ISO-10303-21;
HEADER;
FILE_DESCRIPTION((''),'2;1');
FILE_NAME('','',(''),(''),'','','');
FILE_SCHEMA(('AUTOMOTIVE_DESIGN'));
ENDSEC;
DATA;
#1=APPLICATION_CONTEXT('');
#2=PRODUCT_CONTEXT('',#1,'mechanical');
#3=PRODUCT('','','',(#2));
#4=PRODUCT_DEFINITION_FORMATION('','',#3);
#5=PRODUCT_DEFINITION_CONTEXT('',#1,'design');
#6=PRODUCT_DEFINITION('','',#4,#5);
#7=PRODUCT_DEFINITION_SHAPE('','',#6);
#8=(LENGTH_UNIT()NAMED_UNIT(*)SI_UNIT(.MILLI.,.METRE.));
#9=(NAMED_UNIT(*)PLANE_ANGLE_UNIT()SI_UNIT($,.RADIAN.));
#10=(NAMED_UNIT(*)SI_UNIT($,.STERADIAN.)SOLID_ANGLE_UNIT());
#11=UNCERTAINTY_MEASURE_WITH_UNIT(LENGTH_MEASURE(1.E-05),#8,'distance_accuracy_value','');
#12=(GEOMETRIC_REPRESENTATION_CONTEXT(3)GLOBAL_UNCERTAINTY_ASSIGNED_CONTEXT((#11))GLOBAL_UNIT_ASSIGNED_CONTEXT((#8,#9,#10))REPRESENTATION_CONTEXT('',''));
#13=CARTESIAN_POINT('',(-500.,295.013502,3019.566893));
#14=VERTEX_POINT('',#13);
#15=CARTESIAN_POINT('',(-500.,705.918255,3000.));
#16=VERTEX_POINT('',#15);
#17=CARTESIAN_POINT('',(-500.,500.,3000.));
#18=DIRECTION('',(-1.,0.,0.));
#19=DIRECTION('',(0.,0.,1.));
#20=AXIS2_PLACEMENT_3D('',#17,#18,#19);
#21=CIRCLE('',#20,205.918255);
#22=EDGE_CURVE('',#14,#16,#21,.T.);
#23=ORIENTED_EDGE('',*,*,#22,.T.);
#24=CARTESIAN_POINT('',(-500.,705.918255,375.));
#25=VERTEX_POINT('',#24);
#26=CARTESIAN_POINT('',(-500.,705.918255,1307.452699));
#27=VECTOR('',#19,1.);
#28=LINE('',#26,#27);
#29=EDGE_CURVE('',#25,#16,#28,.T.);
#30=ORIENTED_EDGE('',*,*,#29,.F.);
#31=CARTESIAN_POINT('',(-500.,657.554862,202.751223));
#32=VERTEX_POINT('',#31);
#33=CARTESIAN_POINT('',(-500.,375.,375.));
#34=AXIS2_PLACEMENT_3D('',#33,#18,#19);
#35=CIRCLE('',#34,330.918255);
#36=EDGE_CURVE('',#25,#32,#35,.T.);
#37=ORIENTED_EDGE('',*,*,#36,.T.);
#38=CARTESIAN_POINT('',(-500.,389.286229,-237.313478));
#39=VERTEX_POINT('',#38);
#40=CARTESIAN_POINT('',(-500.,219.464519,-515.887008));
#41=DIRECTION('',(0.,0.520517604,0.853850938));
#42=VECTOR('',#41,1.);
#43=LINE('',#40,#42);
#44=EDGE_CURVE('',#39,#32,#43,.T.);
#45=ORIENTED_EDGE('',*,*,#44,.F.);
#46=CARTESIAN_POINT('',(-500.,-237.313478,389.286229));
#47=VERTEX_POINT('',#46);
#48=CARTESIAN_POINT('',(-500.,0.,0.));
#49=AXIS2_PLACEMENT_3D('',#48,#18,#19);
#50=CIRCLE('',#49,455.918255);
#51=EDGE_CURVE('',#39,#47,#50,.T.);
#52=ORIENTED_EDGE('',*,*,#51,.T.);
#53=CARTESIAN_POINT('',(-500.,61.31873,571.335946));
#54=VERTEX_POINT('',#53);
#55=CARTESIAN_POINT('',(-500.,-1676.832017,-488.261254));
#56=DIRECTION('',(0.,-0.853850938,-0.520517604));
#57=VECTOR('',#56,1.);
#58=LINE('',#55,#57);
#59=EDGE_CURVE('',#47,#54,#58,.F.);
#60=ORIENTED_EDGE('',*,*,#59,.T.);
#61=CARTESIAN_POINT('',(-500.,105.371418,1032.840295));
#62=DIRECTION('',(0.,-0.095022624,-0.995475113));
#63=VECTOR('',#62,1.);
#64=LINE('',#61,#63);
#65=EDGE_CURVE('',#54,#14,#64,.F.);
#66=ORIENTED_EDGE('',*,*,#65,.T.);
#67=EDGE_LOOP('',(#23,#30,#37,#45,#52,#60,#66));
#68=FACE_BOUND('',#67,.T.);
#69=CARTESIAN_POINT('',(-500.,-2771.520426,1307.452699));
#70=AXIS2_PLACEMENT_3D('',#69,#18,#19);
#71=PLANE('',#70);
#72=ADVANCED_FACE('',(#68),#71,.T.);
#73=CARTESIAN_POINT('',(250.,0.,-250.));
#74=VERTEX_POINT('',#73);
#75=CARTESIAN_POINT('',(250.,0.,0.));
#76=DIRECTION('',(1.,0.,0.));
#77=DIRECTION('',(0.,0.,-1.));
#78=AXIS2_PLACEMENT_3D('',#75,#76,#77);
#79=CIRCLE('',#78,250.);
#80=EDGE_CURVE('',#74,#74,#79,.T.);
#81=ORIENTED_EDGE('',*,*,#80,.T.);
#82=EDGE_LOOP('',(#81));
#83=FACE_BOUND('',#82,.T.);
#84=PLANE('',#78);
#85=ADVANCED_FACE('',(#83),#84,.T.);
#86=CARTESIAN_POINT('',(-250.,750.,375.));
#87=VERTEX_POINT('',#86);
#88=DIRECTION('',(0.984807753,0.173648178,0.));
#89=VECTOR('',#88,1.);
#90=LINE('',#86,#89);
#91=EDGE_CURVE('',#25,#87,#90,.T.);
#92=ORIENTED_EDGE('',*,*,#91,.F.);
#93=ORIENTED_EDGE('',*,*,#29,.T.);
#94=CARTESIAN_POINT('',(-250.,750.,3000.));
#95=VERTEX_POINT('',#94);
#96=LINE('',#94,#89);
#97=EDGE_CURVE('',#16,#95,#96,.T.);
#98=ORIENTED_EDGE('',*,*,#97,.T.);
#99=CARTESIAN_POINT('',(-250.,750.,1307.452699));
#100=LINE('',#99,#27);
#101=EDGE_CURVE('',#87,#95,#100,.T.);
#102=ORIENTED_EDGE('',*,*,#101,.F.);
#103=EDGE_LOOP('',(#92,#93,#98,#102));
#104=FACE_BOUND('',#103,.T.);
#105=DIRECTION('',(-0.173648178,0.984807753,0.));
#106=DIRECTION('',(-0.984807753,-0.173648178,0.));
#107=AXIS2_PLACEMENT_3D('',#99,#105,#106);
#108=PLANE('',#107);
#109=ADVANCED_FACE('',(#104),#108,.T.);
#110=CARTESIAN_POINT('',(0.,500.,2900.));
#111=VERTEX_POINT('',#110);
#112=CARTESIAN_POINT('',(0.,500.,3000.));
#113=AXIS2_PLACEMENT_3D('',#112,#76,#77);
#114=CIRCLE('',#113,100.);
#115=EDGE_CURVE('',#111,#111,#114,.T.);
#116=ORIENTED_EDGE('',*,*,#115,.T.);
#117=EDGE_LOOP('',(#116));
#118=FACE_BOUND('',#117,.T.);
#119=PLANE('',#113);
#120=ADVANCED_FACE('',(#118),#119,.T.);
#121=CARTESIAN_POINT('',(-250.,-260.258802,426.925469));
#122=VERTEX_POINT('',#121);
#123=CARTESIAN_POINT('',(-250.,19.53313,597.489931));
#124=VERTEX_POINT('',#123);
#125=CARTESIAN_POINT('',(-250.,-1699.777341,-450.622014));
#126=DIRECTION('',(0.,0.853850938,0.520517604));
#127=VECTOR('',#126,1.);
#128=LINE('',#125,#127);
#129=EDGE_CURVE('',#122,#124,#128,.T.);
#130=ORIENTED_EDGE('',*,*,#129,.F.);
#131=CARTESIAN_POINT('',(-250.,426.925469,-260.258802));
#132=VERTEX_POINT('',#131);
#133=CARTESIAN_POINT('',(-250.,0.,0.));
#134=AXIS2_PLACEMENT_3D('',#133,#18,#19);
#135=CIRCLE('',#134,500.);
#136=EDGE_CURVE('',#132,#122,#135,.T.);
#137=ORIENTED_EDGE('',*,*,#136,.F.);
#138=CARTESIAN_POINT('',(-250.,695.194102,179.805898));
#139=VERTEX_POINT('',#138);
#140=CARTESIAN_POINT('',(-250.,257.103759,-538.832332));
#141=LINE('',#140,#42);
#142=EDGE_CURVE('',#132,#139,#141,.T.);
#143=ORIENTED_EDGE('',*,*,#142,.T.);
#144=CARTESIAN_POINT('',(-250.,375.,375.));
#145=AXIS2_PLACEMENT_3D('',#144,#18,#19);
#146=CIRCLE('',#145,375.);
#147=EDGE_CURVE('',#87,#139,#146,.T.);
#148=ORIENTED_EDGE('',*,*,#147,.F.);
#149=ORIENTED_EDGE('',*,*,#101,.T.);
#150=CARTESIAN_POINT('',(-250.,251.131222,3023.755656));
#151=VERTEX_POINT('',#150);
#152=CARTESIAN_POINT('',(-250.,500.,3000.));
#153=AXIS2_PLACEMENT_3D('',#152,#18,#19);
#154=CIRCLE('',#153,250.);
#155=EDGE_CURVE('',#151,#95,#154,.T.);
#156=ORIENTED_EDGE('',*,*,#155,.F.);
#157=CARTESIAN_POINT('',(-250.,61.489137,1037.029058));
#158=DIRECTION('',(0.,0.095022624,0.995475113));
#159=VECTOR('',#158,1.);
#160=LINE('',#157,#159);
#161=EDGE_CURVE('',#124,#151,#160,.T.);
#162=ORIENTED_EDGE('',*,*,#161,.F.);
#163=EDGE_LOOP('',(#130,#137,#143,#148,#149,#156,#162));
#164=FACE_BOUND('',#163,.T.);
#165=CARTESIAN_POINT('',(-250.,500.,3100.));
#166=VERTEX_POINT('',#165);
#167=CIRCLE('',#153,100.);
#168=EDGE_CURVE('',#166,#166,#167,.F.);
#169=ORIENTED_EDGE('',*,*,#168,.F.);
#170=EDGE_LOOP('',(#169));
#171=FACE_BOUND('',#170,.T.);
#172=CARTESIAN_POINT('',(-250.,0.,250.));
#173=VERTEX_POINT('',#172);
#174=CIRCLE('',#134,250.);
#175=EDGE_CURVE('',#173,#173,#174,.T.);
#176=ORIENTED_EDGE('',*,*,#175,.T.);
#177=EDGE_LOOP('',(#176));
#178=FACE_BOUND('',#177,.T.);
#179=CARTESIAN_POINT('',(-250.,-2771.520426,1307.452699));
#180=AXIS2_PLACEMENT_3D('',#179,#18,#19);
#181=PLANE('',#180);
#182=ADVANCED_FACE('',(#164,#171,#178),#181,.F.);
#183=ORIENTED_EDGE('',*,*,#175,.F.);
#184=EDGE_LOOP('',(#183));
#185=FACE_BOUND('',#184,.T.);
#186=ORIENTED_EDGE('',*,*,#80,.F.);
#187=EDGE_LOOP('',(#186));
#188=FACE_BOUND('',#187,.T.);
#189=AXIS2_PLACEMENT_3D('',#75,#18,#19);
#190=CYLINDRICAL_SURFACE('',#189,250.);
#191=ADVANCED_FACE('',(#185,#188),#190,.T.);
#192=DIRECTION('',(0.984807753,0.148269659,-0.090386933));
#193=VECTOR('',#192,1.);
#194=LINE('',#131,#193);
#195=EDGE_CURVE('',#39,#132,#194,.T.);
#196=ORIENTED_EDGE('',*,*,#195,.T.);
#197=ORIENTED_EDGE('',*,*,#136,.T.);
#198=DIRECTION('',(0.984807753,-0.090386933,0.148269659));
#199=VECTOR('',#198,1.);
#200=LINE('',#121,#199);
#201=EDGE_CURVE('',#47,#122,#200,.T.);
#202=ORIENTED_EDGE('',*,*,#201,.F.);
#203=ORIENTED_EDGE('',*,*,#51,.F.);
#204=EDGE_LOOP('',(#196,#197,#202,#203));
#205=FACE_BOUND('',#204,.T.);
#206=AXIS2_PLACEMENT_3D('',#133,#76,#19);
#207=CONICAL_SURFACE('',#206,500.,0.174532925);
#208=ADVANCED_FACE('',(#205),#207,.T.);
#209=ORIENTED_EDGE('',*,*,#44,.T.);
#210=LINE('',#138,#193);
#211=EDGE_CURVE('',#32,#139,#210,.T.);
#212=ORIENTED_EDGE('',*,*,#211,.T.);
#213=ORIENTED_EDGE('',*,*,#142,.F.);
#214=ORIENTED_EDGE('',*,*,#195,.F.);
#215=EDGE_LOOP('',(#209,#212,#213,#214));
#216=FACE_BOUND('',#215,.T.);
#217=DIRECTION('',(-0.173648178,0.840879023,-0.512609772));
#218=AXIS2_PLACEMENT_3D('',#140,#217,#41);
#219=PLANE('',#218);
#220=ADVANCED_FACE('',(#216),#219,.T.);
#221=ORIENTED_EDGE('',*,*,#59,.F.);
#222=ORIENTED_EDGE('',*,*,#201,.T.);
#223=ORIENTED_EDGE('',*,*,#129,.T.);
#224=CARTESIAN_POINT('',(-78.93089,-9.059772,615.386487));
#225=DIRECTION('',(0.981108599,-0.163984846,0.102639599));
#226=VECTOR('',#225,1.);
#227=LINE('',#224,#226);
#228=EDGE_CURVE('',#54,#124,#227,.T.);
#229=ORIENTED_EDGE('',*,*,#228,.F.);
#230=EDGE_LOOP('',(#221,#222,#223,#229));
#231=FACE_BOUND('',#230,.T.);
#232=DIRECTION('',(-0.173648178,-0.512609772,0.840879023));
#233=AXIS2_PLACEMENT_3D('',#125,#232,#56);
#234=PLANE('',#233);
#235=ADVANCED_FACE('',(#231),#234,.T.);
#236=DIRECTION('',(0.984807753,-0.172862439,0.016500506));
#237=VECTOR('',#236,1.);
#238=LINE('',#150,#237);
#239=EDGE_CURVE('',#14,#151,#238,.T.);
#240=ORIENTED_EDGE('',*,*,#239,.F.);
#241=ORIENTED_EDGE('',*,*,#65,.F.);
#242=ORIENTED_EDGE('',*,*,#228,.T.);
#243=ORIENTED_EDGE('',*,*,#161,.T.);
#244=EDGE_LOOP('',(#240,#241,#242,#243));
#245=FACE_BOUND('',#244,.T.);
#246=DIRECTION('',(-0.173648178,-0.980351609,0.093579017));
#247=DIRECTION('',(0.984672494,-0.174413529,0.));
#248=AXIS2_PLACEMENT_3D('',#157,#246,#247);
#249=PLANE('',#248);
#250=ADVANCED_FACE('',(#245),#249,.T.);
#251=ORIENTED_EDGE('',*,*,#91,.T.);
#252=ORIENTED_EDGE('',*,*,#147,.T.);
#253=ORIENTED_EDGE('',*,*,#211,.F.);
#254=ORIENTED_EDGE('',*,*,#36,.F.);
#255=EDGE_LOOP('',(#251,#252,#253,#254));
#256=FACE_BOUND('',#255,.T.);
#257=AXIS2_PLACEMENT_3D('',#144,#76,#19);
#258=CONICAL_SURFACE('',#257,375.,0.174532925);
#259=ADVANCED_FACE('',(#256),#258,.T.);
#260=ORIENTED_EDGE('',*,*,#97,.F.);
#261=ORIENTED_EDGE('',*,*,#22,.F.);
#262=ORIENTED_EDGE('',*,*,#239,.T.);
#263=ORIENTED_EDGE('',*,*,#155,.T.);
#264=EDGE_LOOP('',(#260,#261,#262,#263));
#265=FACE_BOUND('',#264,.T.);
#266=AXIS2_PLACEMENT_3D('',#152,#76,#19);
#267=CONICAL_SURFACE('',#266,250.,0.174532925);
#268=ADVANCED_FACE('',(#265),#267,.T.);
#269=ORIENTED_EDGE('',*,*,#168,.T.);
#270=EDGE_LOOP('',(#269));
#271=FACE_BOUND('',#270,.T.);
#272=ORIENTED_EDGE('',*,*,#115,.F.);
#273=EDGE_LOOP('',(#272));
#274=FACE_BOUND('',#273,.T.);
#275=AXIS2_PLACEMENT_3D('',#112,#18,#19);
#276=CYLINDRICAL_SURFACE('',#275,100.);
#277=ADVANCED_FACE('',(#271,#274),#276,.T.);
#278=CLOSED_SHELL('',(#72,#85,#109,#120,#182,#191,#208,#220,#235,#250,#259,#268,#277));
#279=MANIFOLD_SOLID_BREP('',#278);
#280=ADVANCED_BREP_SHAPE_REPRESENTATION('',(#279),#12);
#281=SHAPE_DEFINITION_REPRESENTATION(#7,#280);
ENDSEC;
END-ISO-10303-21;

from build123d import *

# Parameters (mm, degrees)
SKETCH1_R           = 250
BOSS_EXTRUDE1_DEPTH = 250
BOSS_EXTRUDE4_DEPTH = 250
BOSS_EXTRUDE4_TAPER = 10
SKETCH5_R           = 100
BOSS_EXTRUDE6_DEPTH = 250


with BuildPart() as part:
    # Sketch1 → Boss-Extrude1 (new, symmetric)
    with BuildSketch(Plane(origin=(0, 0, 0), x_dir=(0, 0, -1), z_dir=(1, 0, 0))):
        Circle(SKETCH1_R)
    extrude(amount=BOSS_EXTRUDE1_DEPTH, both=True)

    # Sketch3 → Boss-Extrude4 (add)
    with BuildSketch(Plane.ZY.offset(250)):
        with BuildLine():
            ThreePointArc((-260.258802135, 426.925468801), (-353.553390593, -353.553390593), (426.925468801, -260.258802135))
            Line((426.925468801, -260.258802135), (597.489931153, 19.533129792))
            Line((597.489931153, 19.533129792), (3023.755656109, 251.131221719))
            ThreePointArc((3023.755656109, 251.131221719), (3249.717034431, 511.891287354), (3000, 750))
            Line((3000, 750), (375, 750))
            ThreePointArc((375, 750), (273.628870235, 736.038632351), (179.805898399, 695.194101601))
            Line((179.805898399, 695.194101601), (-260.258802135, 426.925468801))
        make_face()
    extrude(amount=BOSS_EXTRUDE4_DEPTH, taper=BOSS_EXTRUDE4_TAPER)

    # Sketch5 → Boss-Extrude6 (add)
    with BuildSketch(Plane(origin=(-250, 0, 0), x_dir=(0, 0, -1), z_dir=(1, 0, 0))):
        with Locations(Location((-3000, 500, 0), (0, 0, 180))):
            Circle(SKETCH5_R)
    extrude(amount=BOSS_EXTRUDE6_DEPTH)


solid = part.part
